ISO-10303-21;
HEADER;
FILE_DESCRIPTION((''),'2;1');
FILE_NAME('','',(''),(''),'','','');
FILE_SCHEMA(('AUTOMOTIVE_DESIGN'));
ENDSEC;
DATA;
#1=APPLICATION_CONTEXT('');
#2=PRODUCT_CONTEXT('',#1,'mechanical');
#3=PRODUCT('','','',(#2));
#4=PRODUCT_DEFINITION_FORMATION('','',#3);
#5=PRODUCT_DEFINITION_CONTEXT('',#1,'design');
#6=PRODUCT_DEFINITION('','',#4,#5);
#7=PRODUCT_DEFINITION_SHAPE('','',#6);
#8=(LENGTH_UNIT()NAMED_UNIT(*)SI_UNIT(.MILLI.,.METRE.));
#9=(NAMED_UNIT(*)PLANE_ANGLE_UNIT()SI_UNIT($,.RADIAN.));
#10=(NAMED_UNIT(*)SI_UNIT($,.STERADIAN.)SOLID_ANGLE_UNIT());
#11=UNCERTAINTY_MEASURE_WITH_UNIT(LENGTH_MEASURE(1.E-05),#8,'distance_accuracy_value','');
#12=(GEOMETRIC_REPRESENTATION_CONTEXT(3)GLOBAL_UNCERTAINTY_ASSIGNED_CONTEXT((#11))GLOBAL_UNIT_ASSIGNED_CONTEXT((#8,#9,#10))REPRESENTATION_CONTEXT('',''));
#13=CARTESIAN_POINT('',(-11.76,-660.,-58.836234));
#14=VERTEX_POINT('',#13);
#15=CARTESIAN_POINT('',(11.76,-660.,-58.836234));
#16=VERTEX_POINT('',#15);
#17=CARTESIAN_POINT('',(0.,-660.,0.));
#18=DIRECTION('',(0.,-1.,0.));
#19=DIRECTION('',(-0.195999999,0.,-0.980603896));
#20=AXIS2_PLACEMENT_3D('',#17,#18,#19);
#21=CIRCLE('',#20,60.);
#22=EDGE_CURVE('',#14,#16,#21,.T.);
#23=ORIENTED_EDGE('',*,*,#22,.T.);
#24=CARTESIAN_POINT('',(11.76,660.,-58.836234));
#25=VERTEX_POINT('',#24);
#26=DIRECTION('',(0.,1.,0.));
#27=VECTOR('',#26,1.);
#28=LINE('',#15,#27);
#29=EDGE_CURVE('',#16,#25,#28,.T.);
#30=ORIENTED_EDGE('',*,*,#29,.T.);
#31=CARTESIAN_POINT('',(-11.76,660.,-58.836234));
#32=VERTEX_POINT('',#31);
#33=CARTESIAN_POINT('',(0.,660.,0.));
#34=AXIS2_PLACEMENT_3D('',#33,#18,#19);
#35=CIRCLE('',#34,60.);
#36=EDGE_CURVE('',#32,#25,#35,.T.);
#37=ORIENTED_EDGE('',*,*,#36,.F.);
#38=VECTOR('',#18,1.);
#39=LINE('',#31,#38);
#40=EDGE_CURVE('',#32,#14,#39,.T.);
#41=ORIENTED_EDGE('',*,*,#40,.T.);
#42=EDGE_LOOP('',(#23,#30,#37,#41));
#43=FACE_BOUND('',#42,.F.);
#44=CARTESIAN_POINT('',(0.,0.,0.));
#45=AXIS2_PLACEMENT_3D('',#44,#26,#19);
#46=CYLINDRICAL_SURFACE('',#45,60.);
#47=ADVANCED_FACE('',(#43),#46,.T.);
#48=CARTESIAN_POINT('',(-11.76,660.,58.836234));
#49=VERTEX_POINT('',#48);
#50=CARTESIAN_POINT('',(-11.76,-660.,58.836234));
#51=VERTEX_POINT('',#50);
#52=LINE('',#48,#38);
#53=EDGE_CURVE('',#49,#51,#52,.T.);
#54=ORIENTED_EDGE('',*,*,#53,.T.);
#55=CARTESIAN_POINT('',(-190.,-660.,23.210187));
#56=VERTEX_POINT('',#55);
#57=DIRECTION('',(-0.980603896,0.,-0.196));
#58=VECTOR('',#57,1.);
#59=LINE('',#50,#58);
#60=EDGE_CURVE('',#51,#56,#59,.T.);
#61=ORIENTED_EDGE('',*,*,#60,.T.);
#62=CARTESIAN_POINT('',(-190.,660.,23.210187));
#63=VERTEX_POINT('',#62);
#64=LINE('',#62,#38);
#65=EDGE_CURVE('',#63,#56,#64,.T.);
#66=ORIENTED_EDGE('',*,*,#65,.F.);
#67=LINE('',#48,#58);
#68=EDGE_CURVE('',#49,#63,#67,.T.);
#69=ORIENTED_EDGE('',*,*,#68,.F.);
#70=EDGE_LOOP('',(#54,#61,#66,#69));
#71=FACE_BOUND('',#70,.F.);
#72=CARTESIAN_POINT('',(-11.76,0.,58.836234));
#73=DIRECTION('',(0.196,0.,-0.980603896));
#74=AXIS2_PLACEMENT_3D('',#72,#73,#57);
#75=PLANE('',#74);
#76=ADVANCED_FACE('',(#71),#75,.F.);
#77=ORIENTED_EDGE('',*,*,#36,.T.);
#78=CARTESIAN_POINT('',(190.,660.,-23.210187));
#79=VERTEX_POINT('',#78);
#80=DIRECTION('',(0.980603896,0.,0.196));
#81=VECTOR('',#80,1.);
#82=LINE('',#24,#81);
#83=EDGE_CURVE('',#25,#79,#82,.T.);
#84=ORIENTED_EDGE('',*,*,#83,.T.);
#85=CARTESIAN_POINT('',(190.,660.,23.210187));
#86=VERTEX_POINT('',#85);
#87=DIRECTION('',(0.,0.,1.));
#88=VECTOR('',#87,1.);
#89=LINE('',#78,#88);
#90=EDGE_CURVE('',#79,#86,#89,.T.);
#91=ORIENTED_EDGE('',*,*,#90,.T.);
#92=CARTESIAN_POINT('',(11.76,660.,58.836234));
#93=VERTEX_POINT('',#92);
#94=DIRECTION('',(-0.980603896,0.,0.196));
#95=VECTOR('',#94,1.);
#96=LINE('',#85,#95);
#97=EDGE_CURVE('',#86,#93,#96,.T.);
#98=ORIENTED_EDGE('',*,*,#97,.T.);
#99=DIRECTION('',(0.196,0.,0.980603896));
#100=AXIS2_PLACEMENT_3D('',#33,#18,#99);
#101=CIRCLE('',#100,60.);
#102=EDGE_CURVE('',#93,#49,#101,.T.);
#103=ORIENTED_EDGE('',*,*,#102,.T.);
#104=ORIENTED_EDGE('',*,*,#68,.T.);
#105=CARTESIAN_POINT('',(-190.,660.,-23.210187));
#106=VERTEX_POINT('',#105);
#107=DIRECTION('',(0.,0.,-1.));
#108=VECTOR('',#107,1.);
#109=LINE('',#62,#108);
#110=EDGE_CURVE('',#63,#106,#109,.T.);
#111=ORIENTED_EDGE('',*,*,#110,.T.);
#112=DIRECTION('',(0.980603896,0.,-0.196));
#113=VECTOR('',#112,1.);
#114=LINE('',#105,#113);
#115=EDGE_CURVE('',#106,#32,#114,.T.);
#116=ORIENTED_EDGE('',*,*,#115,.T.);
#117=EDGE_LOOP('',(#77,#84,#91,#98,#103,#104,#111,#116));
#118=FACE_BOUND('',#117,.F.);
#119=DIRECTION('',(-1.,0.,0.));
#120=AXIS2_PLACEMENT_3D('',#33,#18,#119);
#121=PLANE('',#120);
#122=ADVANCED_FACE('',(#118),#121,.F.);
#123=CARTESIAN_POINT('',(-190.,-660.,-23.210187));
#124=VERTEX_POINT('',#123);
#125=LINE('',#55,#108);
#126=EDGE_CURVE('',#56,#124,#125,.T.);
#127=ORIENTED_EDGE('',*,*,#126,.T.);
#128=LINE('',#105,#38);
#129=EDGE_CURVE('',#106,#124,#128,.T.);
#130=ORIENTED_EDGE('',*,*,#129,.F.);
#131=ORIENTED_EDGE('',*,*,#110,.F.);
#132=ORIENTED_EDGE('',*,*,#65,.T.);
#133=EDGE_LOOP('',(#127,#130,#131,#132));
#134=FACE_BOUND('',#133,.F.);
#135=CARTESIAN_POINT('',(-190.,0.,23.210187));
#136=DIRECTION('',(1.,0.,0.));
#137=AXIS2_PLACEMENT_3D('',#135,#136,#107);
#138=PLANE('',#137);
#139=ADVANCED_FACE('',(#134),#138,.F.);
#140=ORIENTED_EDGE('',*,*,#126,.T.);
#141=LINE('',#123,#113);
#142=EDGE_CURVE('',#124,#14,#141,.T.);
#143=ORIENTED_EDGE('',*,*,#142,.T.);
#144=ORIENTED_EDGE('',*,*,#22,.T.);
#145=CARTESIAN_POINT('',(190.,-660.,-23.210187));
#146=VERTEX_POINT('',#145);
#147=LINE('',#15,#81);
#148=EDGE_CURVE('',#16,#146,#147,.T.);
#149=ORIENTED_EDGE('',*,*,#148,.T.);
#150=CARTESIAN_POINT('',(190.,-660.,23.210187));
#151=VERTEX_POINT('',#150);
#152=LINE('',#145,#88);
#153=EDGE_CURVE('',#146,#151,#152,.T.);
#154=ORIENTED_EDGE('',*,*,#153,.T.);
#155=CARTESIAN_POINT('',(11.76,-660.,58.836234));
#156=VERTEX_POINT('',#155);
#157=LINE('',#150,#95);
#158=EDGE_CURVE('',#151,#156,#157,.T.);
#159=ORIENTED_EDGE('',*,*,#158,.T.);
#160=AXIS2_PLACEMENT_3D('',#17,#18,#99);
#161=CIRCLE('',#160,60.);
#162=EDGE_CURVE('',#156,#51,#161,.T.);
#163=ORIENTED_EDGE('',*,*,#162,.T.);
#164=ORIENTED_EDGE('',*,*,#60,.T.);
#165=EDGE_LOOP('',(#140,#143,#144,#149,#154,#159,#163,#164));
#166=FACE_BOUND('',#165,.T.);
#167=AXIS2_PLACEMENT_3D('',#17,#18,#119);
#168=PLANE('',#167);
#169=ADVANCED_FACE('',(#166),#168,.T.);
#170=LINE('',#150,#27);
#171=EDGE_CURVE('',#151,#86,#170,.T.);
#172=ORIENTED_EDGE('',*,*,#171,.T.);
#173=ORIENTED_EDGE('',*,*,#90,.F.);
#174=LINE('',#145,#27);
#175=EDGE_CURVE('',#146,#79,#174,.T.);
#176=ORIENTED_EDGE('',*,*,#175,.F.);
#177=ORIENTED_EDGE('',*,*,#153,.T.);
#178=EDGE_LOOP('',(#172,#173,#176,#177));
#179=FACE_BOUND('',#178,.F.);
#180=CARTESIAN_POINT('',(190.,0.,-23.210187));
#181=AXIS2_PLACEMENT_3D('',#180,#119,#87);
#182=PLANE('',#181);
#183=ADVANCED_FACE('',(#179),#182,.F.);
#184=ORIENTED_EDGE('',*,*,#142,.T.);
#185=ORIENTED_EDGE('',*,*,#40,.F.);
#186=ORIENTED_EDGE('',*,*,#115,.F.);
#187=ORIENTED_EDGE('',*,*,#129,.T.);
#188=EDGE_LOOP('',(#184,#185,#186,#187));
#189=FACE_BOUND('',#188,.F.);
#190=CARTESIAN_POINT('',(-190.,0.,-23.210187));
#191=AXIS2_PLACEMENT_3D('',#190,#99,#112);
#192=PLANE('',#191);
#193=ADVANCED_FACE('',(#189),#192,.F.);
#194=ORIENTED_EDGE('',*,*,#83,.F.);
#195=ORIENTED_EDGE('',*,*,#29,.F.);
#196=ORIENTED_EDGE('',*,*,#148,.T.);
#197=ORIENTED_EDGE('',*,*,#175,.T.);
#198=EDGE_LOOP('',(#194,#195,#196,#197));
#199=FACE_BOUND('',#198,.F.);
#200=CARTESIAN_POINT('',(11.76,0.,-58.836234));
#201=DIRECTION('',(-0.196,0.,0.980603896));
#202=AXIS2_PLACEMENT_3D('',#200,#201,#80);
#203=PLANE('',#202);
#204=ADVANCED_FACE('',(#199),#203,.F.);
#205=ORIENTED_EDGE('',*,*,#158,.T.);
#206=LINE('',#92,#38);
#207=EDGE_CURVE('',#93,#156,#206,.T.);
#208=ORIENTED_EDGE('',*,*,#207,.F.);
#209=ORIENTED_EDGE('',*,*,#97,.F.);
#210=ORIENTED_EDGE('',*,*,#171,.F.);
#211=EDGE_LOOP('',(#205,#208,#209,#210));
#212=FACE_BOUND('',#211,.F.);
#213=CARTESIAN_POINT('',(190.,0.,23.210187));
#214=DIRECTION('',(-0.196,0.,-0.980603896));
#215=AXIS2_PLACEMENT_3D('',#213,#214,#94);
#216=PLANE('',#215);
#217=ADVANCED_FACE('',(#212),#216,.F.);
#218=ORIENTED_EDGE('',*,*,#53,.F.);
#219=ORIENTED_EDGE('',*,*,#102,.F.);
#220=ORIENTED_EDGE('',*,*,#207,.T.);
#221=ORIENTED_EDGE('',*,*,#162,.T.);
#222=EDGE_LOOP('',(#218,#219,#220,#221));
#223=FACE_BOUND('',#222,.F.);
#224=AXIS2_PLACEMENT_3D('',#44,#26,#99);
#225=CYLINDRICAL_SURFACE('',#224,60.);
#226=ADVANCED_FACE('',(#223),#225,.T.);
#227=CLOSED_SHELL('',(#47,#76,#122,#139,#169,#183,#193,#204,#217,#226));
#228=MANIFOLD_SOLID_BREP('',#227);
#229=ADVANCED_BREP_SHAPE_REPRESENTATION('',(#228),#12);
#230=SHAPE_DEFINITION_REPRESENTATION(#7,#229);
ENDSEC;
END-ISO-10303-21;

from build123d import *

# Parameters (mm, degrees)
EXTRUDE_1_DEPTH = 660


with BuildPart() as part:
    # 草图5 → 凸台-拉伸1 (new body, symmetric)
    with BuildSketch(Plane(origin=(0, 0, 0), x_dir=(1, 0, 0), z_dir=(0, 1, 0))):
        with BuildLine():
            Line((190, 0), (190, -23.210187215))
            Line((190, -23.210187215), (11.76, -58.836233734))
            ThreePointArc((11.76, -58.836233734), (0, -60), (-11.76, -58.836233734))
            Line((-11.76, -58.836233734), (-190, -23.210187215))
            Line((-190, -23.210187215), (-190, 0))
            Line((-190, 0), (-190, 23.210187215))
            Line((-190, 23.210187215), (-11.759999967, 58.836233741))
            ThreePointArc((-11.759999967, 58.836233741), (1.7e-08, 60), (11.76, 58.836233734))
            Line((11.76, 58.836233734), (190, 23.210187215))
            Line((190, 23.210187215), (190, 0))
        make_face()
    extrude(amount=EXTRUDE_1_DEPTH, both=True)


solid = part.part
